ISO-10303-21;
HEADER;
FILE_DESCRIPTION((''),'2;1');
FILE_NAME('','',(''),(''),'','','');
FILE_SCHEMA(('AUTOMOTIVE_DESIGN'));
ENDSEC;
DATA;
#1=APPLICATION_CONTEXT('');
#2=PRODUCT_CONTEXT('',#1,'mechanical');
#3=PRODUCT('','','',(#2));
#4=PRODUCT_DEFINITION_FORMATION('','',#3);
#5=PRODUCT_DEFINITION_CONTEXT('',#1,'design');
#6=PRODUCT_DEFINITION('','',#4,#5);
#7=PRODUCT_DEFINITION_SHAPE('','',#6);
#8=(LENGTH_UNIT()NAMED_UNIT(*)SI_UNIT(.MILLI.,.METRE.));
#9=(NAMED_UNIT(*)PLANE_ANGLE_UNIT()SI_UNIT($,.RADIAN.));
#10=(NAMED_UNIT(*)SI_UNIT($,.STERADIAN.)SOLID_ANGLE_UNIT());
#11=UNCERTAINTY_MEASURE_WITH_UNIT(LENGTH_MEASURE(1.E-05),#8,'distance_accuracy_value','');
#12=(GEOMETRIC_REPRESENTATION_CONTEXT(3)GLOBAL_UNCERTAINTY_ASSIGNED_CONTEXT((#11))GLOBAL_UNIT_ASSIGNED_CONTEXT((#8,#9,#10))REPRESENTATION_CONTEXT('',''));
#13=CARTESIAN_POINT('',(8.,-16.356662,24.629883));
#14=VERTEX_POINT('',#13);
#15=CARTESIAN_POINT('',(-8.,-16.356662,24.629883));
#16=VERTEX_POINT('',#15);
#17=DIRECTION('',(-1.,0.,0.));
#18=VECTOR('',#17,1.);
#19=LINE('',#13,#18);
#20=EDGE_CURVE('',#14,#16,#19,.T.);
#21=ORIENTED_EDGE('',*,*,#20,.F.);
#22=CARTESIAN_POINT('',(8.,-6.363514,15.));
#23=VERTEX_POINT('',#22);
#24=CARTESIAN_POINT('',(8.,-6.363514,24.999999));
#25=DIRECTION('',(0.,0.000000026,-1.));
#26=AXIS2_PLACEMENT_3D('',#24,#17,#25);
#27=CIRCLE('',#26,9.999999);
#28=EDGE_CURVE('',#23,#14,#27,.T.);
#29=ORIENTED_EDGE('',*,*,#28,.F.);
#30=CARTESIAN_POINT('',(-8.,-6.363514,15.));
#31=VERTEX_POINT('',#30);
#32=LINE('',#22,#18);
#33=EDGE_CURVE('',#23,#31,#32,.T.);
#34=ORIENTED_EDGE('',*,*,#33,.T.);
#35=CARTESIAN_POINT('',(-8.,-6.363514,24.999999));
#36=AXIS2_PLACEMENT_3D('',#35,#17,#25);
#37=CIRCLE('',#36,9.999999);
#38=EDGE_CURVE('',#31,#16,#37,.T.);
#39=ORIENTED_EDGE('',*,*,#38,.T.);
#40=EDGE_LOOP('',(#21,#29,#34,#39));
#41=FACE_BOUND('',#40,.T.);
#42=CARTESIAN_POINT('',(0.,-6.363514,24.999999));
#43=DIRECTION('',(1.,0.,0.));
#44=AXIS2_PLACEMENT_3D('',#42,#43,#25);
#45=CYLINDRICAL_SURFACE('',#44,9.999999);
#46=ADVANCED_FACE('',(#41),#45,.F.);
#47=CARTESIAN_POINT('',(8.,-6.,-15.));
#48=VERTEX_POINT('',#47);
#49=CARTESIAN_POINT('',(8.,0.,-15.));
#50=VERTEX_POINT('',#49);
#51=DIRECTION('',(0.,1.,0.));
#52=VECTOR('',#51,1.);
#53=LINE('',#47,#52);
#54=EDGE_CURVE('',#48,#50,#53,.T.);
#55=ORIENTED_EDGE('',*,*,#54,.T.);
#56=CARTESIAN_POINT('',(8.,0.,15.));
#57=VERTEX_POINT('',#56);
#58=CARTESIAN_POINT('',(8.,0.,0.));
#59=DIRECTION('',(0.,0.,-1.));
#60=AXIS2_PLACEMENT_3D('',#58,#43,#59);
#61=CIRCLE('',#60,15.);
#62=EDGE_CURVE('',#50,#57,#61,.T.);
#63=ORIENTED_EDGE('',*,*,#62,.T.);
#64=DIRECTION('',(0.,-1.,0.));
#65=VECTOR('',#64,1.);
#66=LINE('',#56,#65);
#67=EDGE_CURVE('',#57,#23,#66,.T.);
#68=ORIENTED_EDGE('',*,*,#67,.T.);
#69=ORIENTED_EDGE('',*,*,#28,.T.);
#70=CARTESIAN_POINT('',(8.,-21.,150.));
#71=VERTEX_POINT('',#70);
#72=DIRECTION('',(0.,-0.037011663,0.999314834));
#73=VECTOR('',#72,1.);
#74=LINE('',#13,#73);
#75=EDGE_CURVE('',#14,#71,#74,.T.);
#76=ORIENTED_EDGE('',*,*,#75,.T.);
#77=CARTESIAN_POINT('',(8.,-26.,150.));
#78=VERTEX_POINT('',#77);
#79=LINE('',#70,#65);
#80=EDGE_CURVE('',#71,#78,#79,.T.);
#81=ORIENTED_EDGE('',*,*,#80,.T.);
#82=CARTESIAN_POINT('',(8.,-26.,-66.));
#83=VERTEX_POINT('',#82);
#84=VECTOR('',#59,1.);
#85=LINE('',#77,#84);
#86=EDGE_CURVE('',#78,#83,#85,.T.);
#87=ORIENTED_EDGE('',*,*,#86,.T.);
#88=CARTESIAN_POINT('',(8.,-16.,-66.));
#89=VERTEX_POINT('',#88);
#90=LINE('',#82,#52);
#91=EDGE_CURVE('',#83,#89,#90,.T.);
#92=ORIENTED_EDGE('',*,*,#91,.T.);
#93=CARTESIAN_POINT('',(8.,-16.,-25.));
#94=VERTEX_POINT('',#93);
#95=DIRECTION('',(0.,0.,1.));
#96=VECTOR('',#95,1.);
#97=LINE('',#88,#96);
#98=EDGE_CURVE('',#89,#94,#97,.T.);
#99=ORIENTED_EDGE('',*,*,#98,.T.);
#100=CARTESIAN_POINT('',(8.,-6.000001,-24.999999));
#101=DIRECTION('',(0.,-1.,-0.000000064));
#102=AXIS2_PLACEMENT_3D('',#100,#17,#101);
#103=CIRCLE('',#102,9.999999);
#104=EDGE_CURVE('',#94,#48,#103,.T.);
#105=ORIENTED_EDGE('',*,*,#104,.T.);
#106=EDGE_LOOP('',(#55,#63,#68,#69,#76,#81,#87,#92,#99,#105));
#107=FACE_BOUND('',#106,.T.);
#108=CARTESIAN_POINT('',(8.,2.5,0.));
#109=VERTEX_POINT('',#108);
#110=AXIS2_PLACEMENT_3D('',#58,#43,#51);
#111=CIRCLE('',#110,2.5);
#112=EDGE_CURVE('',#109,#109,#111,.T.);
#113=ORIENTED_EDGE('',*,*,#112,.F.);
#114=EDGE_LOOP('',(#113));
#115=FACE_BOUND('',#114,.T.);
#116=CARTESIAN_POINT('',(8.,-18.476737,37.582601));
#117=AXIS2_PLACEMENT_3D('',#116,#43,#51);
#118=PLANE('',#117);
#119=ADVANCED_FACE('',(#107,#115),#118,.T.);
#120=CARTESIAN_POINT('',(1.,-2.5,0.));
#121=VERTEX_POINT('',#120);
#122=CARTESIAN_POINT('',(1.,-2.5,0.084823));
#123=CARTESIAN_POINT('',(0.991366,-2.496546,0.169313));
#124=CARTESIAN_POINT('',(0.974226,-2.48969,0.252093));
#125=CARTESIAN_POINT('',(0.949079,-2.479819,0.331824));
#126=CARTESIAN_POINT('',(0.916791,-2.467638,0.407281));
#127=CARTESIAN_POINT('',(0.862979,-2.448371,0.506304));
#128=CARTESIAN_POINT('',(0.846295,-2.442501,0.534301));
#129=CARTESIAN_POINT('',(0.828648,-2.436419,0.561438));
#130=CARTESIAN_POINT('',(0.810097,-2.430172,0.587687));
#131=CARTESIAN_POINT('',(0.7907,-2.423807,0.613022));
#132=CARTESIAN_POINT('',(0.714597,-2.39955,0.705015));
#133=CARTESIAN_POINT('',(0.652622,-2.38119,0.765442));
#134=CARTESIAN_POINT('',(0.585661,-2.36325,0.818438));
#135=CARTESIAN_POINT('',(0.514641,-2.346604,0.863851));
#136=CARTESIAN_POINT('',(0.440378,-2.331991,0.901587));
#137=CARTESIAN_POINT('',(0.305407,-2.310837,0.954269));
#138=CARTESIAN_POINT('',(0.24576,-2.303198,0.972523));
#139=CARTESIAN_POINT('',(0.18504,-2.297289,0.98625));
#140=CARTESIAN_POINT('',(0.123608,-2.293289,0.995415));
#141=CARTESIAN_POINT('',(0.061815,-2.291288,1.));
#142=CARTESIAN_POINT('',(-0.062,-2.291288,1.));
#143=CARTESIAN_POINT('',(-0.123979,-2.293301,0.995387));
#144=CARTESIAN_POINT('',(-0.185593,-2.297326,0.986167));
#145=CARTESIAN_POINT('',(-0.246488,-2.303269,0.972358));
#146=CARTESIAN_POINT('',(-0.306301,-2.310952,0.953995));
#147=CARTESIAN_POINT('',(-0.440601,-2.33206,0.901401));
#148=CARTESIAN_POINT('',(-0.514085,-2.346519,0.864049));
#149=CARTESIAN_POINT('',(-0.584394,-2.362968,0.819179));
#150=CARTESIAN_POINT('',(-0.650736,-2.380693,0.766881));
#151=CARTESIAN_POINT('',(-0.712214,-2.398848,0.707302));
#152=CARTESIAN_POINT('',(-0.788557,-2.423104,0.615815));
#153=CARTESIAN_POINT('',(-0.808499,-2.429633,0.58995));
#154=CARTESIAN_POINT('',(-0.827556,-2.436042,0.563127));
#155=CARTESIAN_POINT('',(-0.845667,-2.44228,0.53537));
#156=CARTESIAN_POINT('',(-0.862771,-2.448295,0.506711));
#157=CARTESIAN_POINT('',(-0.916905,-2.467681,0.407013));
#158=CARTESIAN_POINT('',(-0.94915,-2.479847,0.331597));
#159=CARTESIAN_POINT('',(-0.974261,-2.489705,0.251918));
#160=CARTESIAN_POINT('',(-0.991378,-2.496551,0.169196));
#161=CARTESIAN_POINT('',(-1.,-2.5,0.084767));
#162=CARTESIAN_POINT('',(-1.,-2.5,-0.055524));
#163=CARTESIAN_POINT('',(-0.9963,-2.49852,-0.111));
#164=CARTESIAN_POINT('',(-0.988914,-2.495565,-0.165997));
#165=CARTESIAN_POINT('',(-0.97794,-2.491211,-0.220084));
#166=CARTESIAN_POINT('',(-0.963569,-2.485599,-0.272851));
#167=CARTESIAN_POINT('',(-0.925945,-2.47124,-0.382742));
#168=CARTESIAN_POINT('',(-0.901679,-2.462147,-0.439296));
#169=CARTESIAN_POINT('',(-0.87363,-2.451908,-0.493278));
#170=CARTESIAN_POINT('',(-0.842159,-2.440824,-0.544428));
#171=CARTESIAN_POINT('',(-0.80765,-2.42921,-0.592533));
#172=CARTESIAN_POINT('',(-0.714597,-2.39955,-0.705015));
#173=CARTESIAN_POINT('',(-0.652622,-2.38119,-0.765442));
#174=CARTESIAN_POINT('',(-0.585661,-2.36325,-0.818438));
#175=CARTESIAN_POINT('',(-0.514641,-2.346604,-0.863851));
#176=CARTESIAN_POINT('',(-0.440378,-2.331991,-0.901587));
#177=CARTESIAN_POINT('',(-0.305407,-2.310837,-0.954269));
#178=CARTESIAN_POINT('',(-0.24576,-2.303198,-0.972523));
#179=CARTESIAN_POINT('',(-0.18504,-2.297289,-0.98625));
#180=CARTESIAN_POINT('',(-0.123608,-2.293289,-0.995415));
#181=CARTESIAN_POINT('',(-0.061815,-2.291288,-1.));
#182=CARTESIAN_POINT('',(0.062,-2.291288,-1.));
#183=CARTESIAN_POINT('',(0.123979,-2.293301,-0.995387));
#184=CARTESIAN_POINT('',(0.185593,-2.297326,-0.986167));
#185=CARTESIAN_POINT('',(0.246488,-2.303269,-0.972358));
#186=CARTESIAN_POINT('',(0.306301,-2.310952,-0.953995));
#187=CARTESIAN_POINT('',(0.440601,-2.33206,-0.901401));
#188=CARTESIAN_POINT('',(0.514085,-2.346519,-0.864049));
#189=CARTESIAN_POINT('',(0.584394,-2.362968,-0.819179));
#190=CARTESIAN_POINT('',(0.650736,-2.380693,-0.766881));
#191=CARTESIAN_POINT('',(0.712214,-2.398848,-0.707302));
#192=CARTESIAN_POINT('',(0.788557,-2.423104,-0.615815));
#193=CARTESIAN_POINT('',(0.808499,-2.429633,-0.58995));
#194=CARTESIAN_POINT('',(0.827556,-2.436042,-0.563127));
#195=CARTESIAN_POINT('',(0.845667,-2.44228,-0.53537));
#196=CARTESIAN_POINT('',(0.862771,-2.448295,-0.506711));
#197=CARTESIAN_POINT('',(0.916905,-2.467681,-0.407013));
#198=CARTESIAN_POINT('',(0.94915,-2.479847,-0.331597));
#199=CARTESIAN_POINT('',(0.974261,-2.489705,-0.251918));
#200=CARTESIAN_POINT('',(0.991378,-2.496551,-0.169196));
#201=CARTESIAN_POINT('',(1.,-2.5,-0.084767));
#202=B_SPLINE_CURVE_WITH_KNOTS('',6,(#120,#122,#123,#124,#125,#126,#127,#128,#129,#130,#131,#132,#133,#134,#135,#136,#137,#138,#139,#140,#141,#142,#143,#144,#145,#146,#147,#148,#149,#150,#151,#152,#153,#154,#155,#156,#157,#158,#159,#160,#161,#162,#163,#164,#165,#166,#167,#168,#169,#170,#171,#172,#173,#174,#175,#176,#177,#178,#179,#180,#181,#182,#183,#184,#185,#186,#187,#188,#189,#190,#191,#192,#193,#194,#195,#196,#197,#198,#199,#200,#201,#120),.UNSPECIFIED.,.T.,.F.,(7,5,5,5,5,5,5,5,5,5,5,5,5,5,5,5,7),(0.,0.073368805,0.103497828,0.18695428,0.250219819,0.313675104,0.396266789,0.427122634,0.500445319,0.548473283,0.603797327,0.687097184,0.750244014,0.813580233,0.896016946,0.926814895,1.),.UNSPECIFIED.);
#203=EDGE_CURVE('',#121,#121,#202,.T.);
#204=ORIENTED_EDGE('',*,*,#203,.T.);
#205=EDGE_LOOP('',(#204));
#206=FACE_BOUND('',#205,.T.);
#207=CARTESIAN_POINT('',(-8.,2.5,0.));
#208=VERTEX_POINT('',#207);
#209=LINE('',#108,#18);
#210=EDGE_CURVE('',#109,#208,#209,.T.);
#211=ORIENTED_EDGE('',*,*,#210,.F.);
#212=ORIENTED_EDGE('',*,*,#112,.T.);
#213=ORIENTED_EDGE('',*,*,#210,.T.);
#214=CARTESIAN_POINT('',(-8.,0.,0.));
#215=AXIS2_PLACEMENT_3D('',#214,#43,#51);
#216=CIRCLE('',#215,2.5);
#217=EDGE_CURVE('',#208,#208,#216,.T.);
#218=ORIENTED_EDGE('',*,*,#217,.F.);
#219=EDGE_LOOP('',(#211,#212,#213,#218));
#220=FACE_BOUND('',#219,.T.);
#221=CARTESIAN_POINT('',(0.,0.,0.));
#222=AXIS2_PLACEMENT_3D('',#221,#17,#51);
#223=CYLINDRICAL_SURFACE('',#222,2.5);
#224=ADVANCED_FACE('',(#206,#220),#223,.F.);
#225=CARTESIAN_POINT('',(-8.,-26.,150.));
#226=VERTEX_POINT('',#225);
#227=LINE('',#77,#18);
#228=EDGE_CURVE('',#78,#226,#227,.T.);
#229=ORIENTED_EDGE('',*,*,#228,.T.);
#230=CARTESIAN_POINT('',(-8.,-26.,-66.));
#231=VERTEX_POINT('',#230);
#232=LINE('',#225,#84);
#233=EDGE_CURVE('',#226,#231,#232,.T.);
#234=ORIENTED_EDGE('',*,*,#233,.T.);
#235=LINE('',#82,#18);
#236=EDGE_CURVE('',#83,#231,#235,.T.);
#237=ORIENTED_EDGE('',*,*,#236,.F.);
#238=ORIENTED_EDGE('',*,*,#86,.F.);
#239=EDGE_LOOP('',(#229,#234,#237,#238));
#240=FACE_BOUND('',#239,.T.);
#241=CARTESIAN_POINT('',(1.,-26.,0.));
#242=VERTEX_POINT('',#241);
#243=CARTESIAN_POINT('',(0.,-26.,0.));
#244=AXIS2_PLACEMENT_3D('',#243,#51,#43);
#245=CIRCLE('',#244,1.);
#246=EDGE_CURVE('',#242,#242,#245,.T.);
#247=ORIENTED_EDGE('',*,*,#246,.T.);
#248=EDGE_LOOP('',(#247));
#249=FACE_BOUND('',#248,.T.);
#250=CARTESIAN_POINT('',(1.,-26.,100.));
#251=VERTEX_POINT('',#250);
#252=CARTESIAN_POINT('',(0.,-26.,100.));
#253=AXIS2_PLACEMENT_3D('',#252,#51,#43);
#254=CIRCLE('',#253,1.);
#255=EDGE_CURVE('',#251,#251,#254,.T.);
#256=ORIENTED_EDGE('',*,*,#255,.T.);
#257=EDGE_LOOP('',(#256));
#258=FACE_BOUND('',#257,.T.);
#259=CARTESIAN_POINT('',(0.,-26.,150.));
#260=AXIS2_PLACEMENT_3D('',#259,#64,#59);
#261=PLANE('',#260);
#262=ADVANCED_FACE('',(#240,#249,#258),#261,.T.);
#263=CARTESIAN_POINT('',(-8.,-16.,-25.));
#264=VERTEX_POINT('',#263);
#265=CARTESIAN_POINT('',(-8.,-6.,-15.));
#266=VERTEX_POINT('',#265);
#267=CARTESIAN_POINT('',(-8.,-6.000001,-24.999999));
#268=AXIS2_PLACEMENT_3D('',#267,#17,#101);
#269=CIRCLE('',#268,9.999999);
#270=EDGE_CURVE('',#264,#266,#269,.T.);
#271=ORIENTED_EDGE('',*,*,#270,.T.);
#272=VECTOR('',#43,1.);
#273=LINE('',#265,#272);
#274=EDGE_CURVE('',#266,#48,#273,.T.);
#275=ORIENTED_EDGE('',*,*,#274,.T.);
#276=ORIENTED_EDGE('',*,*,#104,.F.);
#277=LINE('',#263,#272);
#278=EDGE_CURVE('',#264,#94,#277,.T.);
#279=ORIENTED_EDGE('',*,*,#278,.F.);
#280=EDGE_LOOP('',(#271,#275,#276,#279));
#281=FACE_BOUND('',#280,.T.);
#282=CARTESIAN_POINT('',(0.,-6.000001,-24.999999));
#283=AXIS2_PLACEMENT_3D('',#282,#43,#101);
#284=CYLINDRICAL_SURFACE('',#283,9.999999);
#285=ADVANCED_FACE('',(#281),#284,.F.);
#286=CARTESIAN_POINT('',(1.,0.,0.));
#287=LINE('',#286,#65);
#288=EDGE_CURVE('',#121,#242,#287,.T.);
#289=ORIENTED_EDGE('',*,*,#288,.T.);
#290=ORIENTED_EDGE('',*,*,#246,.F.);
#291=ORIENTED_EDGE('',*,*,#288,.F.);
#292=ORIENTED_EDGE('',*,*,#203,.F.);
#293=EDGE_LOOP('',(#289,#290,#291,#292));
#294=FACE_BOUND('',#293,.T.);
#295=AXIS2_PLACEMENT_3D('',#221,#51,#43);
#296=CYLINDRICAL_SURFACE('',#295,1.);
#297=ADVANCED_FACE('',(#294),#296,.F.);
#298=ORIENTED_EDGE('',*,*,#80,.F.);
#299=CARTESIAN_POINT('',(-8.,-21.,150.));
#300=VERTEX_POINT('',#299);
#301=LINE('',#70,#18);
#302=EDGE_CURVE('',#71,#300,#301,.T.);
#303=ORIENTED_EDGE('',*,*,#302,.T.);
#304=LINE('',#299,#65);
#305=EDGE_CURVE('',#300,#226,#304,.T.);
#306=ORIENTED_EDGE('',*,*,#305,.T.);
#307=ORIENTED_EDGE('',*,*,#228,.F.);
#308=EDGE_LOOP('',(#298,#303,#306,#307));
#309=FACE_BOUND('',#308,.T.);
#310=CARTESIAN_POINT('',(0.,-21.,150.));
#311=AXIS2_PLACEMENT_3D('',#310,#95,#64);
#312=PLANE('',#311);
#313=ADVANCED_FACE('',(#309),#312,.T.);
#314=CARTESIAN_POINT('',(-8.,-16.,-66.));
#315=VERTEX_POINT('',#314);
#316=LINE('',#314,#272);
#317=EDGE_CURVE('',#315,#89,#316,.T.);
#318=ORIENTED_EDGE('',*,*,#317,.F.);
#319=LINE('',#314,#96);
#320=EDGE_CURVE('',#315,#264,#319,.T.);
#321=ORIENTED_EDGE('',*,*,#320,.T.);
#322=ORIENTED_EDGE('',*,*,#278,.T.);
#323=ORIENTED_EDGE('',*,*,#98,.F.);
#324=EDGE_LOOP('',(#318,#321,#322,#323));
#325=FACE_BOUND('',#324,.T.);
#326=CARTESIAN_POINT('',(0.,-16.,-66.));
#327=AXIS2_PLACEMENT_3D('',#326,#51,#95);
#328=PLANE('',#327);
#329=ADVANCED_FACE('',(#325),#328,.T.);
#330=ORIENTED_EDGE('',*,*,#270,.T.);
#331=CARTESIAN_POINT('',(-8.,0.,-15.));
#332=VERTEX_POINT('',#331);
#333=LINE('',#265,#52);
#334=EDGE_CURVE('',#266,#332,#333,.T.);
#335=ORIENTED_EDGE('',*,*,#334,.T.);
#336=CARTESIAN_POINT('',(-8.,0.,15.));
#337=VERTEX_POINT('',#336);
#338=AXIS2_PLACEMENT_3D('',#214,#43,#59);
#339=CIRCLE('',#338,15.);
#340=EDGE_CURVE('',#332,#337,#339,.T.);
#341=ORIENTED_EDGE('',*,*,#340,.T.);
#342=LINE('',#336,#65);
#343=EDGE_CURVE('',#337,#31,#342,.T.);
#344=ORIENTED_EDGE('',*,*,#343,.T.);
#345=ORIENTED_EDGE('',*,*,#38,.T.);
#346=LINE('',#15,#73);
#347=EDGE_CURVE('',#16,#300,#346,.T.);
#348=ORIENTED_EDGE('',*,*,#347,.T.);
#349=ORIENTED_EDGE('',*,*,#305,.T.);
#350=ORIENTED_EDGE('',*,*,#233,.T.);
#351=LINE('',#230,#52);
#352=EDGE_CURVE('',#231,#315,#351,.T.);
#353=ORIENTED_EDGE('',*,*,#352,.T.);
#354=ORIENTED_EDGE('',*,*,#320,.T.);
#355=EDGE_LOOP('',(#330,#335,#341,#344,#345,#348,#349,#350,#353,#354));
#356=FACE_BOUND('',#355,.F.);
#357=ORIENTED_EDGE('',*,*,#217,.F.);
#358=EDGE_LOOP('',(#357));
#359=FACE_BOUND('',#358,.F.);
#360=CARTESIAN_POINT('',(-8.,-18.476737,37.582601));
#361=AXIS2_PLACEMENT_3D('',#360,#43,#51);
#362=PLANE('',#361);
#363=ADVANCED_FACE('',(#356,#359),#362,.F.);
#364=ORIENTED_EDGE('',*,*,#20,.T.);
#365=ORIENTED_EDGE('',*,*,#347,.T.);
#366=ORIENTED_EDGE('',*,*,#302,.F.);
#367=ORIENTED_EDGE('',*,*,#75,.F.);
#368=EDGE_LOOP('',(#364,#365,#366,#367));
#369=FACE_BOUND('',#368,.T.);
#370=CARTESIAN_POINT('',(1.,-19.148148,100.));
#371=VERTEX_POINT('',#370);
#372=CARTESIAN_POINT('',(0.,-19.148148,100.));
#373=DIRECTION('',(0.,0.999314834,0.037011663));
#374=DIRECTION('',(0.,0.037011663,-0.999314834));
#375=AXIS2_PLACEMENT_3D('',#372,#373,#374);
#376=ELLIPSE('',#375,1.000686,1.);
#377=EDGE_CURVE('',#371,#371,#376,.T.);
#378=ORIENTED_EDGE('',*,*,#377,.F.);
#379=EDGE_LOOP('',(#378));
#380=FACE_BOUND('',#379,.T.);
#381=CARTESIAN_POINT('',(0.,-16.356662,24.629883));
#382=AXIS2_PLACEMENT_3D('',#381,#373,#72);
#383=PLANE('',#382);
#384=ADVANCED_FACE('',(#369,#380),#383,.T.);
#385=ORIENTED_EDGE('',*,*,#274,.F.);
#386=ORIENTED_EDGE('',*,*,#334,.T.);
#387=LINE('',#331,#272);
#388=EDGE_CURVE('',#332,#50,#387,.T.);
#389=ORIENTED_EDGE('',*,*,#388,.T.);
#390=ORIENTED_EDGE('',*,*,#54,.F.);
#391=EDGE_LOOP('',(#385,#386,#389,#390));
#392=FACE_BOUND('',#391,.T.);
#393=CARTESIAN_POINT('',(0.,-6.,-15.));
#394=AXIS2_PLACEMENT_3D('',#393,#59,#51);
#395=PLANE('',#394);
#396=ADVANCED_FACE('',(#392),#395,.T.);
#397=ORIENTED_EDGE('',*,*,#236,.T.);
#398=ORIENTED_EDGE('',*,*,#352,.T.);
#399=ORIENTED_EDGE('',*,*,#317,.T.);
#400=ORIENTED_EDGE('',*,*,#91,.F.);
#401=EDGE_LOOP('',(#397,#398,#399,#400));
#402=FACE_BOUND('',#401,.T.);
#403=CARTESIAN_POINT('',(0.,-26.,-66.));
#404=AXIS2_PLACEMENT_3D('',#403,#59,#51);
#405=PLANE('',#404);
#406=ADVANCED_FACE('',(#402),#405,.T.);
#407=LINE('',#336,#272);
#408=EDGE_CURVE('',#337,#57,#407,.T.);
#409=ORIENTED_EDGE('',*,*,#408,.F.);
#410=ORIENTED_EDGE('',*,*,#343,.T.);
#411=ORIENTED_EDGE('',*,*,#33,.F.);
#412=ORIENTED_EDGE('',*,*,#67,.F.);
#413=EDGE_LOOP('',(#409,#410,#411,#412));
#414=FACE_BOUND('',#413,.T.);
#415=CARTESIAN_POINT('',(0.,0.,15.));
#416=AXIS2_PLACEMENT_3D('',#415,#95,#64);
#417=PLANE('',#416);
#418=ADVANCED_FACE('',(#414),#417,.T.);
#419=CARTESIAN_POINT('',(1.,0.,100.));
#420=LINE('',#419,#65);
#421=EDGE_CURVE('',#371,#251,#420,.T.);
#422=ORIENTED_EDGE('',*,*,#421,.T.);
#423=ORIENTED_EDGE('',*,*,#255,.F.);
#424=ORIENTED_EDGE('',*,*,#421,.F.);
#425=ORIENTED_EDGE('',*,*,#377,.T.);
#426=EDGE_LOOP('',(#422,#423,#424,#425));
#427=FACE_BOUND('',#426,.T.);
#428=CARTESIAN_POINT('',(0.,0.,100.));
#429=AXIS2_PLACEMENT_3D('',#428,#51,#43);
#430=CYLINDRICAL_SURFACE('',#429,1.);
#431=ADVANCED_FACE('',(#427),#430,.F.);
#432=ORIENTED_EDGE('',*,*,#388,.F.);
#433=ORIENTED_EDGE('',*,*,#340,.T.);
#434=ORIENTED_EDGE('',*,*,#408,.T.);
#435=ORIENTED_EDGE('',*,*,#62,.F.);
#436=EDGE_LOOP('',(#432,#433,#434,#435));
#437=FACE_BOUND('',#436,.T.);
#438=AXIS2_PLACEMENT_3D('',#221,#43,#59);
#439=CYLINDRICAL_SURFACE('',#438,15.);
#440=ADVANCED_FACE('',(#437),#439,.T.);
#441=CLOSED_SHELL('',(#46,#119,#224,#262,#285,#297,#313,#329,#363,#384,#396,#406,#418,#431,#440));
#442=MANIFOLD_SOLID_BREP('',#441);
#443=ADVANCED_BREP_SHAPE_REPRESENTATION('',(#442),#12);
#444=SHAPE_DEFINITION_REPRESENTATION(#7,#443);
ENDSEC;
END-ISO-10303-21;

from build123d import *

# Parameters (mm, degrees)
F0_R     = 2.5
F1_DEPTH = 8
F2_R     = 1
F3_DEPTH = 26.001


with BuildPart() as f1:
    # F0 (on Right) → F1 (new body, symmetric)
    with BuildSketch(Plane.YZ):
        with BuildLine():
            Line((-26, -66), (-16, -66))
            Line((-16, -66), (-16, -25))
            ThreePointArc((-16, -25), (-13.071068, -17.928932), (-6, -15))
            Line((-6, -15), (0, -15))
            ThreePointArc((0, -15), (15, 0), (0, 15))
            Line((0, 15), (-6.363514, 15))
            ThreePointArc((-6.363514, 15), (-13.302492, 17.799265), (-16.356662, 24.629883))
            Line((-16.356662, 24.629883), (-21, 150))
            Line((-21, 150), (-26, 150))
            Line((-26, 150), (-26, -66))
        make_face()
        Circle(F0_R, mode=Mode.SUBTRACT)
    extrude(amount=F1_DEPTH, both=True)

    # F2 (on Front) → F3 (cut, through all)
    with BuildSketch(Plane.XZ):
        with Locations((0, -75)):
            Circle(F2_R)
        Circle(F2_R)
        with Locations((0, 100)):
            Circle(F2_R)
    extrude(amount=F3_DEPTH, mode=Mode.SUBTRACT)


solid = f1.part
